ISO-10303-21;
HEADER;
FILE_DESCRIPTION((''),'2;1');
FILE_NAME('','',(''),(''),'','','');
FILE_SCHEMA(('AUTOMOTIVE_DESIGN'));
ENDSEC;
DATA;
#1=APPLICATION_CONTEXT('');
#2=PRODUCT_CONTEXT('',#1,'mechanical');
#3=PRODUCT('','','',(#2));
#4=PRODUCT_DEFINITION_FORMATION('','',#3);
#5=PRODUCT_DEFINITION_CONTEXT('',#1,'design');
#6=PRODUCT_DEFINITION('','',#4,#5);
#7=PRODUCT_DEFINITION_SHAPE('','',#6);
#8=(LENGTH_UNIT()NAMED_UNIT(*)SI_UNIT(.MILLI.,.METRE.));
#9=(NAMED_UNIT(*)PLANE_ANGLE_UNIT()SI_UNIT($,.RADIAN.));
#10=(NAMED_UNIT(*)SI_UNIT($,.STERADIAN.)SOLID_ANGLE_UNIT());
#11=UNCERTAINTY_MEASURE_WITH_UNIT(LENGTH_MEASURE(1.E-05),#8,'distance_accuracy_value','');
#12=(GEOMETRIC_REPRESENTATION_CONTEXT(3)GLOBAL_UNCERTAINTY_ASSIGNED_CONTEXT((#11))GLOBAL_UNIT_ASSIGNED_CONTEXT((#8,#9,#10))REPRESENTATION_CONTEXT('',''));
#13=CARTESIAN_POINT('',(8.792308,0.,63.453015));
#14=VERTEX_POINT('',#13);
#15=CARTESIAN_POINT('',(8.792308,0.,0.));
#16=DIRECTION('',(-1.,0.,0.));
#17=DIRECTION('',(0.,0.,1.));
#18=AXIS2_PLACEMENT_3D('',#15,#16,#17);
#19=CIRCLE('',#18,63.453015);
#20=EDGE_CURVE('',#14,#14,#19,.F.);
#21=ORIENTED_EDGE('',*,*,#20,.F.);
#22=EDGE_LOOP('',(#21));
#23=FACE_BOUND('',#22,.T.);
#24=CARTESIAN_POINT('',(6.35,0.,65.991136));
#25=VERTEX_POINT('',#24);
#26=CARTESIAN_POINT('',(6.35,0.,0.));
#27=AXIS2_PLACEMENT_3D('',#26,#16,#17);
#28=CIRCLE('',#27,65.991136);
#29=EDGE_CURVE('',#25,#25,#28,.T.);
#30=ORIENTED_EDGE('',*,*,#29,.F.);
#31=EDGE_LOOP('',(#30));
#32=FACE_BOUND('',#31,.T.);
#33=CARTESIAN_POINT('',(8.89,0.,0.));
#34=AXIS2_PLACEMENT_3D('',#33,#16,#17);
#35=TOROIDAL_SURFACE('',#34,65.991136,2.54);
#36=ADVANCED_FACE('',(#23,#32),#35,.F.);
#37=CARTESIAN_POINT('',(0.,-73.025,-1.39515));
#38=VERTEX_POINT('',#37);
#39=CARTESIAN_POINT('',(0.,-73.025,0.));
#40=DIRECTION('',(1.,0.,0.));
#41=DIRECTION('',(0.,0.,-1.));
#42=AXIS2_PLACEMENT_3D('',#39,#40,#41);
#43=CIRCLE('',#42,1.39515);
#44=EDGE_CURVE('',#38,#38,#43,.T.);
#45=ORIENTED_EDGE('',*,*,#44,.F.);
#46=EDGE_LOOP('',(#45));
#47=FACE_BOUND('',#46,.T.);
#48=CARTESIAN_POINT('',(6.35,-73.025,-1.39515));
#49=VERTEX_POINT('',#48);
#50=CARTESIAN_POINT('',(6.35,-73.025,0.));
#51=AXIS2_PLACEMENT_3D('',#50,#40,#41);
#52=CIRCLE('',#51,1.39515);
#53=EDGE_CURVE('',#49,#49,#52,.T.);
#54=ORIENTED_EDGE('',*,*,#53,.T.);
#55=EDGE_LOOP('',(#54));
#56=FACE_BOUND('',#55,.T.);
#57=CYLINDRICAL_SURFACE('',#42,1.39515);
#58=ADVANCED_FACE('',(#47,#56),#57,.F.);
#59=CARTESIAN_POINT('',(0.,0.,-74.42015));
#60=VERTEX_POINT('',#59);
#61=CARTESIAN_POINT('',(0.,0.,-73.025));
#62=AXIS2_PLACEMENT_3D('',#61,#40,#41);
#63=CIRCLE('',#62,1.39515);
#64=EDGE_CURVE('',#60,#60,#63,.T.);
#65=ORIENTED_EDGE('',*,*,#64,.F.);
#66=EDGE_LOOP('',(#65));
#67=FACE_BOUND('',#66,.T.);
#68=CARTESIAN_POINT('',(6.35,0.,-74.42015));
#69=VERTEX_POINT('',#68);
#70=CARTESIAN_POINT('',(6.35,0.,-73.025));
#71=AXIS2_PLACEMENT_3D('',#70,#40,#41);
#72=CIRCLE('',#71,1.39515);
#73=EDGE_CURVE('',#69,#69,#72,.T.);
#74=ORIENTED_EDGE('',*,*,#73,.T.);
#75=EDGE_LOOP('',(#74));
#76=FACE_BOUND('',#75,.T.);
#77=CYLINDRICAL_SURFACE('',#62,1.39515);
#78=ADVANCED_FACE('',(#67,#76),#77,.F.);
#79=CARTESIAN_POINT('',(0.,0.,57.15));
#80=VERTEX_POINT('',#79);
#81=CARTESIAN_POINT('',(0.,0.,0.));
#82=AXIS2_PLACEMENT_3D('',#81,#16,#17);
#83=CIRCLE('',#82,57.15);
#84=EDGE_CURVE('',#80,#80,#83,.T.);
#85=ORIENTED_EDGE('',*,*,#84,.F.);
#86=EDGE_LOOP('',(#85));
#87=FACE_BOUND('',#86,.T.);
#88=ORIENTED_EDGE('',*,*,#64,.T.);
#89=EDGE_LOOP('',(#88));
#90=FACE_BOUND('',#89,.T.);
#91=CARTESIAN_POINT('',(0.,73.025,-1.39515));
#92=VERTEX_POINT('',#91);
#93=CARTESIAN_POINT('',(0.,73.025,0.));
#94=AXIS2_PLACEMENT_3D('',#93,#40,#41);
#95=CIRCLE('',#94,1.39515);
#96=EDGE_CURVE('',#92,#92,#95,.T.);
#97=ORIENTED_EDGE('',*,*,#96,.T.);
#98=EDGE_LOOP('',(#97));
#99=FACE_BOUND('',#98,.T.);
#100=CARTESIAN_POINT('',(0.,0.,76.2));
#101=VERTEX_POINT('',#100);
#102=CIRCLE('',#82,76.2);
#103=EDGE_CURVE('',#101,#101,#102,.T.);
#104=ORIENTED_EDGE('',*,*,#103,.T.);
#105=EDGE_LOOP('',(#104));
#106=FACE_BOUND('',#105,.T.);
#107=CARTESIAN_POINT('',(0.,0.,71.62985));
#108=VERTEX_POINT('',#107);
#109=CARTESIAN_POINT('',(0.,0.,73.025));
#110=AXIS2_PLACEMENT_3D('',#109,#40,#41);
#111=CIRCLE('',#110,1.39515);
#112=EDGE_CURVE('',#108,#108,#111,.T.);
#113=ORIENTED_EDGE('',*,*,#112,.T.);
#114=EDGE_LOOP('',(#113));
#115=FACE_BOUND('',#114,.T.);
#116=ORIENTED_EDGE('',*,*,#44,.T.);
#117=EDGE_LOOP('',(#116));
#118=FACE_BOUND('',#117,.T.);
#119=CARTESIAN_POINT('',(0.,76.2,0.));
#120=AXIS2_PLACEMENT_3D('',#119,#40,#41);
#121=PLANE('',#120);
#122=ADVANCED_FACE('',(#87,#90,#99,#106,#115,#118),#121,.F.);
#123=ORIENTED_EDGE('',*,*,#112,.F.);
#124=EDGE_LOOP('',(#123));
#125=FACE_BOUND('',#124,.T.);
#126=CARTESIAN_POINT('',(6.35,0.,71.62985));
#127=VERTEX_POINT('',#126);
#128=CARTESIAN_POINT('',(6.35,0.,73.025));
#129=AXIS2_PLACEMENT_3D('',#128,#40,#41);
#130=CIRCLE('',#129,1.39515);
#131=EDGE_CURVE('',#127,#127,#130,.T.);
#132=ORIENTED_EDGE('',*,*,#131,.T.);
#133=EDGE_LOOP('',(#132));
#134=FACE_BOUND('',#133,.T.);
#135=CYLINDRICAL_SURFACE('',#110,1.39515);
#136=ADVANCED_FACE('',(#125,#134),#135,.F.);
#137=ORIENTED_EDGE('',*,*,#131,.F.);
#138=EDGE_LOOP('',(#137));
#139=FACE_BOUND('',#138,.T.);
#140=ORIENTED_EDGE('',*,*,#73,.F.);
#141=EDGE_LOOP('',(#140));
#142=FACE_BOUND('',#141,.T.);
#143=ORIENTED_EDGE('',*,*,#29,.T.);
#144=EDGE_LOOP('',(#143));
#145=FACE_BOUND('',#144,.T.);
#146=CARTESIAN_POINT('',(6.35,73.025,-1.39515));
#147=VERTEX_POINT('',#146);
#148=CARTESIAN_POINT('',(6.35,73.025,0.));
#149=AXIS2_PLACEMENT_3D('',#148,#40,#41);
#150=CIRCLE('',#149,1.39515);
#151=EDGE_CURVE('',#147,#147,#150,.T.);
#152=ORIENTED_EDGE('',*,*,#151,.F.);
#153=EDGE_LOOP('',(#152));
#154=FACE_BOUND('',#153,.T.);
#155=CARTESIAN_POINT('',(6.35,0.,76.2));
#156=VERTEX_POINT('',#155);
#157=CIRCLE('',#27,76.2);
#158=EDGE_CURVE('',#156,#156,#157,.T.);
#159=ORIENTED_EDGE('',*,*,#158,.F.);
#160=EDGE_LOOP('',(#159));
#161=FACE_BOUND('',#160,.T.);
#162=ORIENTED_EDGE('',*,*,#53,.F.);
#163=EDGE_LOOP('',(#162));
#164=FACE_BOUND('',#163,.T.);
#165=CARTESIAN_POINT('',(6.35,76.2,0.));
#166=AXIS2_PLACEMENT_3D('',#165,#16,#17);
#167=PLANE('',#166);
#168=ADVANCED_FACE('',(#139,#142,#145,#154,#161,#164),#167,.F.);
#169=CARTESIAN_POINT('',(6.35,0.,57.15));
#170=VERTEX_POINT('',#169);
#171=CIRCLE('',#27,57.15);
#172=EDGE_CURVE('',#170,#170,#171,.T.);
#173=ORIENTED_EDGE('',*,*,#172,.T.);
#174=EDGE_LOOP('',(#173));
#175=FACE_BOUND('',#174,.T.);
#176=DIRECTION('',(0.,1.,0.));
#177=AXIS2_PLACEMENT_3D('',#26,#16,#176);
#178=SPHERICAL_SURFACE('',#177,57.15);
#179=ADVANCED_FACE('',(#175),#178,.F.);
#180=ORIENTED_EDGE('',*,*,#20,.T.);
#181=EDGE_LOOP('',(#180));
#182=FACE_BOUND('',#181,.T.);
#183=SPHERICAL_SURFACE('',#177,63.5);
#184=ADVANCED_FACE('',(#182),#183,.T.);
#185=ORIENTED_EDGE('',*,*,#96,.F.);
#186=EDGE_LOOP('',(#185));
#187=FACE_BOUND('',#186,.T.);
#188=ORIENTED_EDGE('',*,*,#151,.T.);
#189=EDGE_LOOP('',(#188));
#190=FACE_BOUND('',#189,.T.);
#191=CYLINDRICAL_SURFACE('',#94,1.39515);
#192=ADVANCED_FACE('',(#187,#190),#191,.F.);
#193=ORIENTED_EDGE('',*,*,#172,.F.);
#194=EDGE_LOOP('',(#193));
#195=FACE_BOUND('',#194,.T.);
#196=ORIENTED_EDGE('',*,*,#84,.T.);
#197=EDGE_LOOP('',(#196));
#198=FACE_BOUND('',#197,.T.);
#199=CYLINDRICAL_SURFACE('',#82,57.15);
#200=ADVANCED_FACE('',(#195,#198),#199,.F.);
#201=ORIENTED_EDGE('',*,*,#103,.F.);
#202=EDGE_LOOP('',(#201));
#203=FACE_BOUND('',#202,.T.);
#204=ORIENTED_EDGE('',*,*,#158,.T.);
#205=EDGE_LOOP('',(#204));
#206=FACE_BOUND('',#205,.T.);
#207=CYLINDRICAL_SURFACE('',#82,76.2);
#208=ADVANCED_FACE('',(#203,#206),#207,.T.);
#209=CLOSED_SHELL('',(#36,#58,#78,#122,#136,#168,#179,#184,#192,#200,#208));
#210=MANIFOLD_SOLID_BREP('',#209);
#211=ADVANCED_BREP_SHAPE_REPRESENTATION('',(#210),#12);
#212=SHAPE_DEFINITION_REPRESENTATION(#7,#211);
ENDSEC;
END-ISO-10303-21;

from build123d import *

# Parameters (mm, degrees)
FILLET1_R          = 2.54
SKETCH2_R          = 1.395150395
CUT_EXTRUDE1_DEPTH = 126.080494205


with BuildPart() as part:
    # Sketch1 → Revolve1 (revolve)
    with BuildSketch(Plane.XY, mode=Mode.PRIVATE) as revolve1_sk:
        with BuildLine():
            Line((0, 76.2), (6.35, 76.2))
            Line((6.35, 76.2), (6.35, 63.5))
            ThreePointArc((6.35, 63.5), (51.251280605, 44.901280605), (69.85, 0))
            Line((69.85, 0), (63.5, 0))
            ThreePointArc((63.5, 0), (46.761152545, 40.411152545), (6.35, 57.15))
            Line((6.35, 57.15), (0, 57.15))
            Line((0, 57.15), (0, 76.2))
        make_face()
    revolve(revolve1_sk.sketch.rotate(Axis((0, 0, 0), (1, 0, 0)), 90), axis=Axis((0, 0, 0), (1, 0, 0)))

    # Fillet1
    fillet1_edges = [part.edges().sort_by_distance(p)[0] for p in [
        (6.35, 0, -63.5),
    ]]
    fillet(fillet1_edges, radius=FILLET1_R)

    # Sketch2 → Cut-Extrude1 (cut, through all)
    with BuildSketch(Plane(origin=(6.35, 0, 0), x_dir=(0, 0, -1), z_dir=(1, 0, 0))):
        with Locations((0, 73.025)):
            Circle(SKETCH2_R)
        with Locations((73.025, 0)):
            Circle(SKETCH2_R)
        with Locations((0, -73.025)):
            Circle(SKETCH2_R)
        with Locations((-73.025, 0)):
            Circle(SKETCH2_R)
    extrude(amount=-CUT_EXTRUDE1_DEPTH, mode=Mode.SUBTRACT)


solid = part.part
